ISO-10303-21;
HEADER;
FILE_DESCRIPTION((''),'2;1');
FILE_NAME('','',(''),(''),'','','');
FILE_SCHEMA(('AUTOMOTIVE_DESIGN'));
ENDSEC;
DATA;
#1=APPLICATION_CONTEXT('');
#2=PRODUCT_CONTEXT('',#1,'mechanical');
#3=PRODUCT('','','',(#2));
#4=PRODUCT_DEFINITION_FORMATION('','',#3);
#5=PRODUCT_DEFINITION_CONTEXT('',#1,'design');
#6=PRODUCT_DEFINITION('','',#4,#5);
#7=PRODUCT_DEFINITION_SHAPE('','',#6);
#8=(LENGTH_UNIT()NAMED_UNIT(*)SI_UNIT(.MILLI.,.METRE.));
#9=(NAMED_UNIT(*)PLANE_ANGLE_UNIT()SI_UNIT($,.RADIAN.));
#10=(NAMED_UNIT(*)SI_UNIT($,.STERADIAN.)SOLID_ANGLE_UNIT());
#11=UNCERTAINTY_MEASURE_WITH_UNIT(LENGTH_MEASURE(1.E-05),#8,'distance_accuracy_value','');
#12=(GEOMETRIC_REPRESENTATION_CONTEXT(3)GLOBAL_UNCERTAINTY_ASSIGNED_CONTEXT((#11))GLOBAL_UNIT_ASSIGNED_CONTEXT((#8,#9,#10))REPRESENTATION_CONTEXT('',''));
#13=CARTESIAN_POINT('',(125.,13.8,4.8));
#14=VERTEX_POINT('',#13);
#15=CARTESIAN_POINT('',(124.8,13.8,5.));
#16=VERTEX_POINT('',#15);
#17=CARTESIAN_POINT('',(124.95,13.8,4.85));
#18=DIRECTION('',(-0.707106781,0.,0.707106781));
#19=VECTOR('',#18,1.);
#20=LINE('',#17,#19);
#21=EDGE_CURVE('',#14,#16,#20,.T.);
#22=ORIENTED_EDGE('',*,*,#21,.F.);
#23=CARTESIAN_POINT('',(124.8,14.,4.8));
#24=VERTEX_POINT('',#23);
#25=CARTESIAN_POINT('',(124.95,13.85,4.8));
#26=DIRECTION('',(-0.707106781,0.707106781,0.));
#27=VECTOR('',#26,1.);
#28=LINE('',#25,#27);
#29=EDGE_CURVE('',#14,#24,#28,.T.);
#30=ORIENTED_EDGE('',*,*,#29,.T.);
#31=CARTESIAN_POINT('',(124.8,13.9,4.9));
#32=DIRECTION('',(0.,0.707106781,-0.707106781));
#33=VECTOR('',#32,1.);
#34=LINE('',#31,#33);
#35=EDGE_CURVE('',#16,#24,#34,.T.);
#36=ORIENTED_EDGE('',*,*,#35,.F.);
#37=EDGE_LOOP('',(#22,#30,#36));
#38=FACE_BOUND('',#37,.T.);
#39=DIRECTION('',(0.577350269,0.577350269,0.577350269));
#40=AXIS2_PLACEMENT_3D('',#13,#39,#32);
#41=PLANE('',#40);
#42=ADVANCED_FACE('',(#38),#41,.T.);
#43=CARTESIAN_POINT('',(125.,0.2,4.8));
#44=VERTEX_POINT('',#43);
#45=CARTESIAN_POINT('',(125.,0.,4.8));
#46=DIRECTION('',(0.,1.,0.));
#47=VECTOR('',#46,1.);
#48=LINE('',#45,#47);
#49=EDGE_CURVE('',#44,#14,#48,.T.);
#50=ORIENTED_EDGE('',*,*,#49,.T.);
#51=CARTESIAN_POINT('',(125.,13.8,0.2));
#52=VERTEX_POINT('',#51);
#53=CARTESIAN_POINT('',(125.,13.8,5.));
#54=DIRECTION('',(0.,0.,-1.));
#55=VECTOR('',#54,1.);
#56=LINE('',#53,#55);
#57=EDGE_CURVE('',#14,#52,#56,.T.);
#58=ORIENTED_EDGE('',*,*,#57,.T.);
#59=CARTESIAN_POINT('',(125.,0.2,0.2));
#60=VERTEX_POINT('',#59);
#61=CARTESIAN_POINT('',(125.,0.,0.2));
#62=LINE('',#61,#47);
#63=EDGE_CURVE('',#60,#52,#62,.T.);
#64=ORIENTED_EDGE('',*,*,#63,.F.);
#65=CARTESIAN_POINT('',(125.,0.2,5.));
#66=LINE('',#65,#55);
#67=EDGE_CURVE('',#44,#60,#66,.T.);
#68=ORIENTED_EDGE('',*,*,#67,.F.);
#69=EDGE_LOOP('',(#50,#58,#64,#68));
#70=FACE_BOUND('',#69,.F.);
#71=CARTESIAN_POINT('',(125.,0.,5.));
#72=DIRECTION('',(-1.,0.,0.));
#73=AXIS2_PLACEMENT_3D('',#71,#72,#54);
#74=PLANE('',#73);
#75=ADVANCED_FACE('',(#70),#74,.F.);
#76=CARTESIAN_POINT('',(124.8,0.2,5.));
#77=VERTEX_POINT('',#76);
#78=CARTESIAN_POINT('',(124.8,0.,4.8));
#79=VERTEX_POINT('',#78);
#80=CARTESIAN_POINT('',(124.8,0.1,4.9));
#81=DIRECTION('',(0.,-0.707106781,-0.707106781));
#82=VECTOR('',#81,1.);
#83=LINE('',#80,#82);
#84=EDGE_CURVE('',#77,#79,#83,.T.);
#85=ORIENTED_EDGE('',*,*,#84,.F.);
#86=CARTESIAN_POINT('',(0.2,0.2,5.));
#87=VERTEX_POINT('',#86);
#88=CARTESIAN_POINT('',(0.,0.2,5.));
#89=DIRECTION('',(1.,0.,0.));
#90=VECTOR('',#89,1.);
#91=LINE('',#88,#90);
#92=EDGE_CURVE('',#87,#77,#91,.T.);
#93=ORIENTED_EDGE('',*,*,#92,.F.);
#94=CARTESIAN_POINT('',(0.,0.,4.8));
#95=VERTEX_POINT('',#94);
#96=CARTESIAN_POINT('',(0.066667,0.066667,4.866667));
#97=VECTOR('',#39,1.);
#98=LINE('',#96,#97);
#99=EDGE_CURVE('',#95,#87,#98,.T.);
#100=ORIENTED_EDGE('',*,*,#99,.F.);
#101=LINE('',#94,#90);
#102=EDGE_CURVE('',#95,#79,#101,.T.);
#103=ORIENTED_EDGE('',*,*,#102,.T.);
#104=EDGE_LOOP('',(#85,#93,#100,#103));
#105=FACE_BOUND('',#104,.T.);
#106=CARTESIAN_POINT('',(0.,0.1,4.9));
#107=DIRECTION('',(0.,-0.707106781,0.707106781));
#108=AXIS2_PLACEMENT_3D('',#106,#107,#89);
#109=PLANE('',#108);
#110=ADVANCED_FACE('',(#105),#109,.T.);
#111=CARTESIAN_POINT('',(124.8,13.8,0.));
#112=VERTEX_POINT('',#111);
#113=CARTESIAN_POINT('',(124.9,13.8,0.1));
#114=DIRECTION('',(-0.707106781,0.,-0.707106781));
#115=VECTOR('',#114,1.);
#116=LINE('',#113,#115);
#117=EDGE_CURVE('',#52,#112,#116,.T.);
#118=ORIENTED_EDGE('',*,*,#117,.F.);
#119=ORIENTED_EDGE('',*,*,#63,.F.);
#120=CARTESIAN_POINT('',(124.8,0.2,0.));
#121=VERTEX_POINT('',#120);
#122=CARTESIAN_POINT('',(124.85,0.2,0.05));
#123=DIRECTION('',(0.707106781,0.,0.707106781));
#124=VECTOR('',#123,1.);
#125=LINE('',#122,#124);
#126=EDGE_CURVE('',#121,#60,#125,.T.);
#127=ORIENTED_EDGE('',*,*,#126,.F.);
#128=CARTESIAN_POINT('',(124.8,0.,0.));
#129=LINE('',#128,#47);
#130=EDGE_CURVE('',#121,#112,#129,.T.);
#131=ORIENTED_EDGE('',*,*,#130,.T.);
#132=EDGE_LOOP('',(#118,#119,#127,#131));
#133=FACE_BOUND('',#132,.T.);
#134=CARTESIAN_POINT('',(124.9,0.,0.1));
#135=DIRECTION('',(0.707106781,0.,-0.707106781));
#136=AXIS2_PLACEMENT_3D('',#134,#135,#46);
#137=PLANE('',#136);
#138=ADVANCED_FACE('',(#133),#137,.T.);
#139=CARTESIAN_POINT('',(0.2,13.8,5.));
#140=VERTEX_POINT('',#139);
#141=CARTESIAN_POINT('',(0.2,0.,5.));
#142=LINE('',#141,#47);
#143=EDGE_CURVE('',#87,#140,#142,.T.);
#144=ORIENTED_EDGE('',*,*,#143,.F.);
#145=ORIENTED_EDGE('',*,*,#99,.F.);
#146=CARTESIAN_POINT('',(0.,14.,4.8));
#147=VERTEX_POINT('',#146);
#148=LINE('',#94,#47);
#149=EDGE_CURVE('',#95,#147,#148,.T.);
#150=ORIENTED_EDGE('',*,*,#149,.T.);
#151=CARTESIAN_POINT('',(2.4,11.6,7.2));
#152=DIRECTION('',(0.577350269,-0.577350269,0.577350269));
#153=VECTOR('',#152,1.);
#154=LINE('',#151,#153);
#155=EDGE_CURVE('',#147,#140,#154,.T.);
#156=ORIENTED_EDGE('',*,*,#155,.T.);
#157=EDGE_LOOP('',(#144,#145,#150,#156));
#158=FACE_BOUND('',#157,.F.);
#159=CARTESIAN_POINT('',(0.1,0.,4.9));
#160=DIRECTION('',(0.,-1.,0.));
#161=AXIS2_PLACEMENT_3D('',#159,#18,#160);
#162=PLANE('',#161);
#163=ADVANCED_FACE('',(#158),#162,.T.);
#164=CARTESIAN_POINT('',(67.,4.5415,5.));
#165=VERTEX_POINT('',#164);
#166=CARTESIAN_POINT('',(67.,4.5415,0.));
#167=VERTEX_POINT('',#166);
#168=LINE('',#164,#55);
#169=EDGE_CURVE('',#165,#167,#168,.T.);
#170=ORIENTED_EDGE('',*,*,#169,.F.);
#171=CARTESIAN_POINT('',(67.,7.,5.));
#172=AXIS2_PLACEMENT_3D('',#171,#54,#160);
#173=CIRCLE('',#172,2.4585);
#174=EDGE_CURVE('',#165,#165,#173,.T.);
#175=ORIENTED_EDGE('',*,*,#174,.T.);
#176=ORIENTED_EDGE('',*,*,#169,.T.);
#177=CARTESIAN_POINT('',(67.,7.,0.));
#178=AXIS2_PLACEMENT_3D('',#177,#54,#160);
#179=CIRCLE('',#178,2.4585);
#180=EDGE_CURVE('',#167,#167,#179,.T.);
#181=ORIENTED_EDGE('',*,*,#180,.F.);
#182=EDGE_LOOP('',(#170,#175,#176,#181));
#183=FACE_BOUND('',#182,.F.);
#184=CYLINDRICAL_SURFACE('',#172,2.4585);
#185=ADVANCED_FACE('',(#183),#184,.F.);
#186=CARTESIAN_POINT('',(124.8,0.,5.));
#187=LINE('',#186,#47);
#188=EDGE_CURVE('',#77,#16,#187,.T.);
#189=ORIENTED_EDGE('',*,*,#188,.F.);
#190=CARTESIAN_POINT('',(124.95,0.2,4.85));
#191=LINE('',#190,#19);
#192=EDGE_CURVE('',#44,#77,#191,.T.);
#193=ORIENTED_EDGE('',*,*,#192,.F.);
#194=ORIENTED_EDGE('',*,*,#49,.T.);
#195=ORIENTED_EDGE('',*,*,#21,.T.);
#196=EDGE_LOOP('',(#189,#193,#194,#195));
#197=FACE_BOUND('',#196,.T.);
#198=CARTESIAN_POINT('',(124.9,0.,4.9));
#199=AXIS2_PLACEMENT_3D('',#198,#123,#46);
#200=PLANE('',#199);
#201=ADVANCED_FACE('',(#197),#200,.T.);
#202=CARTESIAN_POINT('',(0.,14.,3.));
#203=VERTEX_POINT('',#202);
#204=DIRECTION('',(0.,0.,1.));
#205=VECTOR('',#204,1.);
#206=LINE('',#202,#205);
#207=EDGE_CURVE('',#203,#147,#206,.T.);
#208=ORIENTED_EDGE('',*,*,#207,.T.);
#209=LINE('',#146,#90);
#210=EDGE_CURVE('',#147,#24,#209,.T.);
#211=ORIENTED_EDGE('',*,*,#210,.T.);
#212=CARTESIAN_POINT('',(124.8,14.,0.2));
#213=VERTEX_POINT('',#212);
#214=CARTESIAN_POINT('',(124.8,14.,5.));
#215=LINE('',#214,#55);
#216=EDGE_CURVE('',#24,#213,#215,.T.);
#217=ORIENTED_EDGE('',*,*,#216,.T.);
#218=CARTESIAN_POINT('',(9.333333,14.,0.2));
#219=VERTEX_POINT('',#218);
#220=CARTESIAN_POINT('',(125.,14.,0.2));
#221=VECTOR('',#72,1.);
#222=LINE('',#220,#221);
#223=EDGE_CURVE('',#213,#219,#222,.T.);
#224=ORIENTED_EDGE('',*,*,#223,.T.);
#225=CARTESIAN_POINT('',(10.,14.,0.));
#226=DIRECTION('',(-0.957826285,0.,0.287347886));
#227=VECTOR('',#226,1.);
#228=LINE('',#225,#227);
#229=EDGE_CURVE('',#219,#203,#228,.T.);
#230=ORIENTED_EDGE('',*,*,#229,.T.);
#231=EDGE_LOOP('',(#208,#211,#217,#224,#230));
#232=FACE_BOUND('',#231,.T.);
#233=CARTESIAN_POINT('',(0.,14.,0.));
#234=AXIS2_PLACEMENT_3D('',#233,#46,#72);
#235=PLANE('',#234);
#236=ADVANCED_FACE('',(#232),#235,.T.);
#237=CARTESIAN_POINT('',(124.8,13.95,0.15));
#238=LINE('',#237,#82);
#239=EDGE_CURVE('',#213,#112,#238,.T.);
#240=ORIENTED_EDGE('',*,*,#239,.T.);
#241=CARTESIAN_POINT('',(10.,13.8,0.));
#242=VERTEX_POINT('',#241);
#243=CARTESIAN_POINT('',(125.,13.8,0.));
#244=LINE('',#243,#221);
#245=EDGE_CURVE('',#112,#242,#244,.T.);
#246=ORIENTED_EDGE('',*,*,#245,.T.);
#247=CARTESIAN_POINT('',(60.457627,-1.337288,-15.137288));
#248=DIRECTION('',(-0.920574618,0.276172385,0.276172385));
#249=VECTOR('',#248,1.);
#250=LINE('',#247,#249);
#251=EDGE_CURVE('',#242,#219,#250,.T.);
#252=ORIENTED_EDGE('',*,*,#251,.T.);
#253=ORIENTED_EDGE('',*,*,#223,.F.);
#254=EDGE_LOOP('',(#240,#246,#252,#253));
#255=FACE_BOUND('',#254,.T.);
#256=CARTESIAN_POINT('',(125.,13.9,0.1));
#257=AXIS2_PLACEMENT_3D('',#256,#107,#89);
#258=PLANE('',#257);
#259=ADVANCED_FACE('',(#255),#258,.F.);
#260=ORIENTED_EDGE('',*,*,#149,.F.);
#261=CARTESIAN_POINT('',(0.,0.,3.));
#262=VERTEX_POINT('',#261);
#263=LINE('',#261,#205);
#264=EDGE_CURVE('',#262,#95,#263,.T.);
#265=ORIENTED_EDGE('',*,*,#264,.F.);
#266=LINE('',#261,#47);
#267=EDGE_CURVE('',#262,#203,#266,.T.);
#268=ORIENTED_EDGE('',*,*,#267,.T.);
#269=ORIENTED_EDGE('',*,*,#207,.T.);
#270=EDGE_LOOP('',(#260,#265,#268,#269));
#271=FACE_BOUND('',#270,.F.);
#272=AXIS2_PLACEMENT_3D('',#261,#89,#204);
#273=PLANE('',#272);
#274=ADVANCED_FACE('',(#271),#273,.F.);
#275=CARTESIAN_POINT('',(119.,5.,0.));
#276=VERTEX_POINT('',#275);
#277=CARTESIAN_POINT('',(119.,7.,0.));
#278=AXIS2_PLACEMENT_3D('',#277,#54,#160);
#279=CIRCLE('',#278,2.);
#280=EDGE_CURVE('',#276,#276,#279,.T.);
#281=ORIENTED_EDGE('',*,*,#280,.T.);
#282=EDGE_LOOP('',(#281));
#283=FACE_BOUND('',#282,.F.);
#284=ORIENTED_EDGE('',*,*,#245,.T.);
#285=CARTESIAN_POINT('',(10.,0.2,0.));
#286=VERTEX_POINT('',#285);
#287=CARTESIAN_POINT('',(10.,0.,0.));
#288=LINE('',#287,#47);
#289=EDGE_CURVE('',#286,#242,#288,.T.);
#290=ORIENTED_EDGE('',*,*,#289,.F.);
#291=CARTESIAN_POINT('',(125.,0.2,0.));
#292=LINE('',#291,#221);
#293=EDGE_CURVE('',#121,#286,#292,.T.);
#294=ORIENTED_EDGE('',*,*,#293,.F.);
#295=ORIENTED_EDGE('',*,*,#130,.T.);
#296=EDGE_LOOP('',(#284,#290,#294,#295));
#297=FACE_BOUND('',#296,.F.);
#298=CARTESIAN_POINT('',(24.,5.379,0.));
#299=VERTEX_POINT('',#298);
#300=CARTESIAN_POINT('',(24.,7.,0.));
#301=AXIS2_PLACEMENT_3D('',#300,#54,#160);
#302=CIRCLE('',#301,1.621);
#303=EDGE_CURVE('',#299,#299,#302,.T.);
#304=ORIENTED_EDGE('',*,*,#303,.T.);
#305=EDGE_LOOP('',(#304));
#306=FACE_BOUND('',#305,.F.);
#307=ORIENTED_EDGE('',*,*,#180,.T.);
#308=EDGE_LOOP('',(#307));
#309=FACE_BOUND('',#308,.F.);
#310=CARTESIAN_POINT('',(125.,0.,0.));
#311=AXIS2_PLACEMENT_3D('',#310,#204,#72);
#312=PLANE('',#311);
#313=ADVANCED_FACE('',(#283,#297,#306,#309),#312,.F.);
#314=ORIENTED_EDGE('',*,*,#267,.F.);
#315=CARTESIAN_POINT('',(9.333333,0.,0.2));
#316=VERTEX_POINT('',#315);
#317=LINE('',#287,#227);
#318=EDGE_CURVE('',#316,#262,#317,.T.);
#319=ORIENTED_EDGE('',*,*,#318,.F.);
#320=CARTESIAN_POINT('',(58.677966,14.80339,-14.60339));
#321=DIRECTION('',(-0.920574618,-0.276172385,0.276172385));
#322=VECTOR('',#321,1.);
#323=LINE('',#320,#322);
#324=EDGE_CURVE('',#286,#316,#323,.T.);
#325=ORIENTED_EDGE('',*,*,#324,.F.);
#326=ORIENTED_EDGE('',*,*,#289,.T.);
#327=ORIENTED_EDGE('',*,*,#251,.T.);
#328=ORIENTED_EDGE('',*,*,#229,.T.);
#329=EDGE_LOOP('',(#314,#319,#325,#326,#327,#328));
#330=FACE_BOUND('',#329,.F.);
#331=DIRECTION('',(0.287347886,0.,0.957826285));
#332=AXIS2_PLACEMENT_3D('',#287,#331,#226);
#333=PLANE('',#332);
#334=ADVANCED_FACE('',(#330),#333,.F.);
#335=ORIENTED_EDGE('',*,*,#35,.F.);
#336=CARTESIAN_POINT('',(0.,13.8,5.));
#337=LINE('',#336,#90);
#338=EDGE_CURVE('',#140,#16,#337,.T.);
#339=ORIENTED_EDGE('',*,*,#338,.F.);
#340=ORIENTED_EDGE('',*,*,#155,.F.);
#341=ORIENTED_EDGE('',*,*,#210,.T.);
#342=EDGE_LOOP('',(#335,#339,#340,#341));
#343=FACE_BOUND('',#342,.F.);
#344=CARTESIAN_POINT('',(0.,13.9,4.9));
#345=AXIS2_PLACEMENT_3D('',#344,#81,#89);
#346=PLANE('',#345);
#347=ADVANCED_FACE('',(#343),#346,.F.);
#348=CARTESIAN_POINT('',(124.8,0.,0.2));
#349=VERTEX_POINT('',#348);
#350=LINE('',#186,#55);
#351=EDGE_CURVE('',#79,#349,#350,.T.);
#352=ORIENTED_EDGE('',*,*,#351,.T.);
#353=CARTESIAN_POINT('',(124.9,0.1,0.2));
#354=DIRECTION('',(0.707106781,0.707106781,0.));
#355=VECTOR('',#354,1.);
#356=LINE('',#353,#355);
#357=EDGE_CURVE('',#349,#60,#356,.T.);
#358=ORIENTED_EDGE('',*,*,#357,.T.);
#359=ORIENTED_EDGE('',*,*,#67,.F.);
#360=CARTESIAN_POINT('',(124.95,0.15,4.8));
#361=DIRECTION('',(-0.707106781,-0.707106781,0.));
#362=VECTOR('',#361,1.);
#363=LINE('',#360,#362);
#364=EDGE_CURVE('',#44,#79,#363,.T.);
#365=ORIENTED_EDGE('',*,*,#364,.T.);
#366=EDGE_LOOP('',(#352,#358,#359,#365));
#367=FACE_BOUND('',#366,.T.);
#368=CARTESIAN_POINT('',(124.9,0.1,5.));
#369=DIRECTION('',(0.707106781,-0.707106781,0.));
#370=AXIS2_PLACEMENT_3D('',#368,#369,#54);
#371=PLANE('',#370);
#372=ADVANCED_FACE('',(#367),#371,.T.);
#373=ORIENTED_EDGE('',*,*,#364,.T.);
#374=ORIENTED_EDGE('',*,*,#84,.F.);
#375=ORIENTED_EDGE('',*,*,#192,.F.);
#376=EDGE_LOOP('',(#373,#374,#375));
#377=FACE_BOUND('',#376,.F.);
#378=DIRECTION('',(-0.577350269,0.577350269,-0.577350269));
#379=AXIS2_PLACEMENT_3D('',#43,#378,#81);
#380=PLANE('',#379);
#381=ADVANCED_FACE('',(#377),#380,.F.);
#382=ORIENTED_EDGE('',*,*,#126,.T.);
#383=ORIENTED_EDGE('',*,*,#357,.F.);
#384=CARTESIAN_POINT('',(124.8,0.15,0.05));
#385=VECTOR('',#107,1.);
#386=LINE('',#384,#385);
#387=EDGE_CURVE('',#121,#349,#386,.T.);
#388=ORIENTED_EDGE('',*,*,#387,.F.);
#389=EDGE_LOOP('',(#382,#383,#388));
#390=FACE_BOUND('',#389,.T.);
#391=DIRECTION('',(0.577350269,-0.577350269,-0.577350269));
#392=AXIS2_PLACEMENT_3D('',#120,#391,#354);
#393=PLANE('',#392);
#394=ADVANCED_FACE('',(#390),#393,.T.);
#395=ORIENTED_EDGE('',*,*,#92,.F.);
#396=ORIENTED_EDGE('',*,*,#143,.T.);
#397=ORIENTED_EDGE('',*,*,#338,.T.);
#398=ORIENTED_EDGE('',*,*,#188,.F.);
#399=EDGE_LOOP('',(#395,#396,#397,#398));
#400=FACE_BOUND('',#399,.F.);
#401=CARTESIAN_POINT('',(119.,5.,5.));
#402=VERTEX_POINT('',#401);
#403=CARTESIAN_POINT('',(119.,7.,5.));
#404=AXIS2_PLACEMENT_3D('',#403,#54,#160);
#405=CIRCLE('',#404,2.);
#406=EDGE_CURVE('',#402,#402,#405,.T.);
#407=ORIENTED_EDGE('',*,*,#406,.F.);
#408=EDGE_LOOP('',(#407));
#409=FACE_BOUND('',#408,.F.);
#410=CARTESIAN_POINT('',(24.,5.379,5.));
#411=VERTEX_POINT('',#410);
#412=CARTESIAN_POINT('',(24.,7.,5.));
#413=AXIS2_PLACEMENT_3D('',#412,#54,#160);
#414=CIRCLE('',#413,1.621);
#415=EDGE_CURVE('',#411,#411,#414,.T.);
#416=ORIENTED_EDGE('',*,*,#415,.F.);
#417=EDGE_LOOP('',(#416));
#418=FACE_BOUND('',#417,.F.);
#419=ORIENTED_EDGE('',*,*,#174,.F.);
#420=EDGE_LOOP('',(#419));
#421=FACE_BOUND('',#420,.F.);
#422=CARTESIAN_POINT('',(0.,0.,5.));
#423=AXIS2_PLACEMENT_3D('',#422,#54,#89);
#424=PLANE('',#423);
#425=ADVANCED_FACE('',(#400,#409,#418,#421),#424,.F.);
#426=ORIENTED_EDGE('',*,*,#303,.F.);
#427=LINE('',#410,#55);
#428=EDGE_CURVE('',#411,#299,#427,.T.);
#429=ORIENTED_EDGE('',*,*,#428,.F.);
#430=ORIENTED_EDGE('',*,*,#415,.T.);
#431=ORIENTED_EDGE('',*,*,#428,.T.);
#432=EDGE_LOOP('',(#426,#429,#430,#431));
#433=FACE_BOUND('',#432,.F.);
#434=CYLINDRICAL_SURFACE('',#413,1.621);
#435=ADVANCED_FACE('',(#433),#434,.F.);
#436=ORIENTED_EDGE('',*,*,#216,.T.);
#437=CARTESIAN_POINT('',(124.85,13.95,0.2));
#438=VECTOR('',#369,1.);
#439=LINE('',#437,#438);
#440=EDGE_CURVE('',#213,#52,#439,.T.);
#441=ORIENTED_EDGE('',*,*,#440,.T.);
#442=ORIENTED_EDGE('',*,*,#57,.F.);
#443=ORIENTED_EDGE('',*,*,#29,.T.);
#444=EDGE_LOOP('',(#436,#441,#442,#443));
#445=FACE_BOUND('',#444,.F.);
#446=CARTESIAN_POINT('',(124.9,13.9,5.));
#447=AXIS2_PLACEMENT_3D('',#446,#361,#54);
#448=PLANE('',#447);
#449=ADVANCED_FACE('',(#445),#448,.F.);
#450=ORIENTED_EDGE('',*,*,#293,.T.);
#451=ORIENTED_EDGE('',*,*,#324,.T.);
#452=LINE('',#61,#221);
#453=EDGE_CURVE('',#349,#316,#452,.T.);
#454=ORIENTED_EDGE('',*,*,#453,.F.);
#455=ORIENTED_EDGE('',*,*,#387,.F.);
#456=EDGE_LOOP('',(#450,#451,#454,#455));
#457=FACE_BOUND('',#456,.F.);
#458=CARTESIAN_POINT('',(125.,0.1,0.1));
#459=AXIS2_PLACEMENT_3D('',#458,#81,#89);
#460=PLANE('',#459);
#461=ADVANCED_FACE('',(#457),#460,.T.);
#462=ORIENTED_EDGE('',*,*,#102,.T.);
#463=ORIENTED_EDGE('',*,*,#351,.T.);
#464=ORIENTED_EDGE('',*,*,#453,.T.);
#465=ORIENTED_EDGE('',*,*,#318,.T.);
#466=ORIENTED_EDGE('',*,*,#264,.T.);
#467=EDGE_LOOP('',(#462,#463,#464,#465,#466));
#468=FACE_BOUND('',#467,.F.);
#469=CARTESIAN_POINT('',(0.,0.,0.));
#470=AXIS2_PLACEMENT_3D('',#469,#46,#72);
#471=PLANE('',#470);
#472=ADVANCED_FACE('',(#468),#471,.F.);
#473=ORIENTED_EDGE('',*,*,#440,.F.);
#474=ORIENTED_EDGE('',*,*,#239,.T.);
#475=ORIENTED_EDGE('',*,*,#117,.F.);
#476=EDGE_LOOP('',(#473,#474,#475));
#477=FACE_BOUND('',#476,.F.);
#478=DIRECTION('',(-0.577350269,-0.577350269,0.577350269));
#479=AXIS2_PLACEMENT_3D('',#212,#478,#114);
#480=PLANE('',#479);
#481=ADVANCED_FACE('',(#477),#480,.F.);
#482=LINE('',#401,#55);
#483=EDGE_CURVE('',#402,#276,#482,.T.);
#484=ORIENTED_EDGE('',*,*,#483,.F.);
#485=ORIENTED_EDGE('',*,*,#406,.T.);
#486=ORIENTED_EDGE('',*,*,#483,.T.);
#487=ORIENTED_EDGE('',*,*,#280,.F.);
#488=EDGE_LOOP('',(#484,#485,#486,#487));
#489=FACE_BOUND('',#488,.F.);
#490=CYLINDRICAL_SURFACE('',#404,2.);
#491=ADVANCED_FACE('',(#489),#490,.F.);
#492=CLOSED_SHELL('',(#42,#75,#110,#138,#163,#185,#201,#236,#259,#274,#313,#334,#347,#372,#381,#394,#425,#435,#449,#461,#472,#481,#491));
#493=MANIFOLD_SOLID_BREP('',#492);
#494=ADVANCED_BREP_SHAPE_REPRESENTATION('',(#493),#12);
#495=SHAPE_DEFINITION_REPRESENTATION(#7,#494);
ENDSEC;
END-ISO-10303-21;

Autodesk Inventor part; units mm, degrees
ref_plane "YZ Plane" through (0, 0, 0) normal (1, 0, 0) x (0, 1, 0)
ref_plane "XZ Plane" through (0, 0, 0) normal (0, 1, 0) x (-1, 0, 0)
ref_plane "XY Plane" through (0, 0, 0) normal (0, 0, 1) x (1, 0, 0)
sketch "Skizze1" plane through (0, 0, 0) normal (0, 1, 0) x (-1, 0, 0)
  line L0 (0, 3) -> (0, 5)
  line L1 (0, 5) -> (-125, 5)
  line L2 (-125, 5) -> (-125, 0)
  line L3 (-125, 0) -> (-10, 0)
  line L4 (-10, 0) -> (0, 3)
  point P0 (0, 0)
  dimension "d0" = 10
  dimension "d1" = 2
  dimension "d2" = 125
  dimension "d3" = 5
extrude "Extrusion1" add sketch "Skizze1" along normal blind 14
sketch "Skizze2" plane through (0, 0, 5) normal (0, 0, 1) x (1, 0, 0)
  line L0 (0, 0) -> (0, 14) projected
  point P0 (24, 7)
  point P1 (0, 7)
  dimension "d13" = 24
hole "Bohrung1" at (24, 7, 5) direction (0, 0, -1) diameter 3.242 depth 5 thread size "M4x0.7" class "6H" standard "ISO Metric profile"
sketch "Skizze3" plane through (0, 0, 5) normal (0, 0, 1) x (1, 0, 0)
  circle A0 centre (24, 7) radius 1.621 projected
  line L0 (0, 0) -> (0, 14) projected
  point P0 (67, 7)
  point P1 (0, 7)
  dimension "d21" = 43
hole "Bohrung2" at (67, 7, 5) direction (0, 0, -1) diameter 4.917 end through all thread size "M6x1" class "6H" standard "ISO Metric profile"
sketch "Skizze4" plane through (0, 0, 5) normal (0, 0, 1) x (1, 0, 0)
  line L0 (0, 0) -> (0, 14) projected
  circle A0 centre (67, 7) radius 2.4585 projected
  line L1 (125, 0) -> (125, 14) projected
  point P0 (119, 7)
  point P1 (0, 7)
  point P2 (125, 7)
  dimension "d29" = 52
  dimension "d30" = 6
hole "Bohrung3" at (119, 7, 5) direction (0, 0, -1) diameter 4 end through all
chamfer "Fasen1" distance 0.2 angle 45 9 edges at (62.5, 0, 5) (62.5, 14, 5) (125, 7, 5) (125, 0, 2.5) (67.5, 0, 0) (125, 7, 0) (125, 14, 2.5) (67.5, 14, 0) (0, 7, 5)
properties part number "112"
